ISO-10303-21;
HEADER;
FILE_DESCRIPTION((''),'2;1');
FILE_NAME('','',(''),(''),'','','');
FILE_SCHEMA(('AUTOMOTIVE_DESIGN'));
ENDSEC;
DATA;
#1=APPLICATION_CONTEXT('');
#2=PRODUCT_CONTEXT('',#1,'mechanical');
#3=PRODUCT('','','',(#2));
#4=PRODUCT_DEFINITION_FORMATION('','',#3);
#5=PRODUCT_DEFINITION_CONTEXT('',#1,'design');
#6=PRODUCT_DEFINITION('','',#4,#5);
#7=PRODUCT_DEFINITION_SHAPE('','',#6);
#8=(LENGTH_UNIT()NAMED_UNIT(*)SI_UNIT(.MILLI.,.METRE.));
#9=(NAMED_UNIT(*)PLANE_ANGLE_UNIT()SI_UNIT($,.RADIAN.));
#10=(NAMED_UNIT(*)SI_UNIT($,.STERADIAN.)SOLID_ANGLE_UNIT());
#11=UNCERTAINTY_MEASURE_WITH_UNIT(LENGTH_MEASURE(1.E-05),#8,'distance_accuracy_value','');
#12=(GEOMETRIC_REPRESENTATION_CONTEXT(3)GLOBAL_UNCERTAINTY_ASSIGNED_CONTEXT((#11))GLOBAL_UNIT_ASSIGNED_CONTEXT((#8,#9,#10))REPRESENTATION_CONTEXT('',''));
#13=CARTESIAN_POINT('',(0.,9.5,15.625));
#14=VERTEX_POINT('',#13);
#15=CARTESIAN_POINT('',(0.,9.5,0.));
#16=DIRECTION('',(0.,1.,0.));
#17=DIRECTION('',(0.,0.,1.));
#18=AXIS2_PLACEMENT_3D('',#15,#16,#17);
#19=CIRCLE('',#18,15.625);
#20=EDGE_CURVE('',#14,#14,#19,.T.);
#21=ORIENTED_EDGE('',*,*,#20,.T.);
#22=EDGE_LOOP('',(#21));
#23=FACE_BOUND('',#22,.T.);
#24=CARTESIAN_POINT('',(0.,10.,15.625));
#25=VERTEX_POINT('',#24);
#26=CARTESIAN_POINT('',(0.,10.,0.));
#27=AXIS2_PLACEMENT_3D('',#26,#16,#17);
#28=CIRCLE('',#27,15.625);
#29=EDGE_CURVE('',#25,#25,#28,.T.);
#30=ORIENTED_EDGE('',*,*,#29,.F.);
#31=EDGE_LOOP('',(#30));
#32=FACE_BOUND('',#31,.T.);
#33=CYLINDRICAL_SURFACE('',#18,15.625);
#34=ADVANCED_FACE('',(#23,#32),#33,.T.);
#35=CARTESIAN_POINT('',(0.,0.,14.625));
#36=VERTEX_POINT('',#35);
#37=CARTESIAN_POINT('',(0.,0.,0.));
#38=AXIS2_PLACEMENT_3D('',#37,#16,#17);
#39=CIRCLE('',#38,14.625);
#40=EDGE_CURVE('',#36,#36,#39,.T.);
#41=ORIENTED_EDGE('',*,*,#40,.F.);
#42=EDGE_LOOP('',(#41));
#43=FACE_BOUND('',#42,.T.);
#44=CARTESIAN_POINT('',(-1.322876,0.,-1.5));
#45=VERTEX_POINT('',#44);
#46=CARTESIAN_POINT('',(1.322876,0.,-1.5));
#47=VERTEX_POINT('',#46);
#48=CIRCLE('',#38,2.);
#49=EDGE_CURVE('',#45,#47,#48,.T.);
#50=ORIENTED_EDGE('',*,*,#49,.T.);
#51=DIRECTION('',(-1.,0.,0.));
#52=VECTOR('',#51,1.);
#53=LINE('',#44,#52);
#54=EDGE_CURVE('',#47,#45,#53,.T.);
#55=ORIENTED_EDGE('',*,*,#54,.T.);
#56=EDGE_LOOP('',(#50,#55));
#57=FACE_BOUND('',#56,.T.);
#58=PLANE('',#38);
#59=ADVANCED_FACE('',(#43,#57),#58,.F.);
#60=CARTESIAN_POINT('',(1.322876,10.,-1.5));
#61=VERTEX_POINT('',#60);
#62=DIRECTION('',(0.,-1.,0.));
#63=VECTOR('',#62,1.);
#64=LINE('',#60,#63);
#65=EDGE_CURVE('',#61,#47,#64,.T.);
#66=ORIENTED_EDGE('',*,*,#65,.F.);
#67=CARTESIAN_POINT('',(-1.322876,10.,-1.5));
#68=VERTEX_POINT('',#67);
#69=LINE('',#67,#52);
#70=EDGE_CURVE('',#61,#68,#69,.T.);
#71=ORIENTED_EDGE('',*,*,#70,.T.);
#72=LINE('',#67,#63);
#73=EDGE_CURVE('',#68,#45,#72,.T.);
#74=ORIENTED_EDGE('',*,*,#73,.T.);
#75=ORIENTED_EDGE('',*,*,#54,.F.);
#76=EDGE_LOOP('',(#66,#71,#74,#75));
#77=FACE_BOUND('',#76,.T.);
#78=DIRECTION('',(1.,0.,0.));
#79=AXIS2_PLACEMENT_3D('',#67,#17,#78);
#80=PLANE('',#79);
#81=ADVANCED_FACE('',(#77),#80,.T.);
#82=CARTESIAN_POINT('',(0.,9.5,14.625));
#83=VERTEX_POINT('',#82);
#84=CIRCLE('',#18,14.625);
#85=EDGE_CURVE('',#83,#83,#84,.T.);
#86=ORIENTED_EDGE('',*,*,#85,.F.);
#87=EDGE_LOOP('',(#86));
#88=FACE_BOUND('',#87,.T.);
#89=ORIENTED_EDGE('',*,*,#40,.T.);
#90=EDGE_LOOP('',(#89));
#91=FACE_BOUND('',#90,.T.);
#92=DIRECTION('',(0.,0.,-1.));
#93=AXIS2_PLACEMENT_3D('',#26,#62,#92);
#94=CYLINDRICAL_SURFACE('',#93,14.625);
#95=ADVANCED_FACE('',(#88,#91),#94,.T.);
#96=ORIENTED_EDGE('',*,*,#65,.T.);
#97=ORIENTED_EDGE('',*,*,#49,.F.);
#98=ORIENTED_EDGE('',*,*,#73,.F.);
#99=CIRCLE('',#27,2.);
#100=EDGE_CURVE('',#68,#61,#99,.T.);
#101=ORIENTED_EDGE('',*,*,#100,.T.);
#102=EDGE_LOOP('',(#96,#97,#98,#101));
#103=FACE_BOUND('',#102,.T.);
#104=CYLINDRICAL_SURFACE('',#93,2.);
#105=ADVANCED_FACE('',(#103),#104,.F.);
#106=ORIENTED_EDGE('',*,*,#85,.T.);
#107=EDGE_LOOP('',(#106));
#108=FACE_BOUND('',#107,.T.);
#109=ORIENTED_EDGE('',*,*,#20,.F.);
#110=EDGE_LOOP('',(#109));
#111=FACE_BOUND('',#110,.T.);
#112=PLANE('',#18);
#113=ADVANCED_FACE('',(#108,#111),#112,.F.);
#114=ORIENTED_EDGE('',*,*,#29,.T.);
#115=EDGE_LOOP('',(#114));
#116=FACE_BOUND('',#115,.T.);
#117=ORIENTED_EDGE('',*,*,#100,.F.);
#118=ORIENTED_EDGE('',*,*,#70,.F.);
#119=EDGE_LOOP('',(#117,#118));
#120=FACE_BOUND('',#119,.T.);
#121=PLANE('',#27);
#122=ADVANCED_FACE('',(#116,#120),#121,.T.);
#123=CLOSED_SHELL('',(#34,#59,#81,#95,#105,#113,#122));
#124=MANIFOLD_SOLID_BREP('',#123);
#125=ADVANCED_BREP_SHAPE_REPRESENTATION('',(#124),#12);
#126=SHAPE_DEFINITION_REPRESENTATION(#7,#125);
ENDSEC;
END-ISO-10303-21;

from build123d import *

# Parameters (mm, degrees)
SKETCH1_R           = 14.625
BOSS_EXTRUDE1_DEPTH = 10
BOSS_EXTRUDE2_START = -0.5
SKETCH2_R           = 15.625
BOSS_EXTRUDE2_DEPTH = 0.5


with BuildPart() as part:
    # Sketch1 → Boss-Extrude1 (new body)
    with BuildSketch(Plane(origin=(0, 0, 0), x_dir=(1, 0, 0), z_dir=(0, 1, 0))):
        with Locations(Location((0, 0, 0), (0, 0, 270))):
            Circle(SKETCH1_R)
        with BuildLine():
            Line((-1.322875656, 1.5), (1.322875656, 1.5))
            ThreePointArc((1.322875656, 1.5), (0, -2), (-1.322875656, 1.5))
        make_face(mode=Mode.SUBTRACT)
    extrude(amount=BOSS_EXTRUDE1_DEPTH)

    # Sketch2 → Boss-Extrude2 (add)
    with BuildSketch(Plane(origin=(0, 10, 0), x_dir=(1, 0, 0), z_dir=(0, 1, 0)).offset(BOSS_EXTRUDE2_START)):
        with Locations(Location((0, 0, 0), (0, 0, 270))):
            Circle(SKETCH2_R)
        with BuildLine():
            Line((-1.322875656, 1.5), (1.322875656, 1.5))
            ThreePointArc((1.322875656, 1.5), (0, -2), (-1.322875656, 1.5))
        make_face(mode=Mode.SUBTRACT)
    extrude(amount=BOSS_EXTRUDE2_DEPTH)


solid = part.part
